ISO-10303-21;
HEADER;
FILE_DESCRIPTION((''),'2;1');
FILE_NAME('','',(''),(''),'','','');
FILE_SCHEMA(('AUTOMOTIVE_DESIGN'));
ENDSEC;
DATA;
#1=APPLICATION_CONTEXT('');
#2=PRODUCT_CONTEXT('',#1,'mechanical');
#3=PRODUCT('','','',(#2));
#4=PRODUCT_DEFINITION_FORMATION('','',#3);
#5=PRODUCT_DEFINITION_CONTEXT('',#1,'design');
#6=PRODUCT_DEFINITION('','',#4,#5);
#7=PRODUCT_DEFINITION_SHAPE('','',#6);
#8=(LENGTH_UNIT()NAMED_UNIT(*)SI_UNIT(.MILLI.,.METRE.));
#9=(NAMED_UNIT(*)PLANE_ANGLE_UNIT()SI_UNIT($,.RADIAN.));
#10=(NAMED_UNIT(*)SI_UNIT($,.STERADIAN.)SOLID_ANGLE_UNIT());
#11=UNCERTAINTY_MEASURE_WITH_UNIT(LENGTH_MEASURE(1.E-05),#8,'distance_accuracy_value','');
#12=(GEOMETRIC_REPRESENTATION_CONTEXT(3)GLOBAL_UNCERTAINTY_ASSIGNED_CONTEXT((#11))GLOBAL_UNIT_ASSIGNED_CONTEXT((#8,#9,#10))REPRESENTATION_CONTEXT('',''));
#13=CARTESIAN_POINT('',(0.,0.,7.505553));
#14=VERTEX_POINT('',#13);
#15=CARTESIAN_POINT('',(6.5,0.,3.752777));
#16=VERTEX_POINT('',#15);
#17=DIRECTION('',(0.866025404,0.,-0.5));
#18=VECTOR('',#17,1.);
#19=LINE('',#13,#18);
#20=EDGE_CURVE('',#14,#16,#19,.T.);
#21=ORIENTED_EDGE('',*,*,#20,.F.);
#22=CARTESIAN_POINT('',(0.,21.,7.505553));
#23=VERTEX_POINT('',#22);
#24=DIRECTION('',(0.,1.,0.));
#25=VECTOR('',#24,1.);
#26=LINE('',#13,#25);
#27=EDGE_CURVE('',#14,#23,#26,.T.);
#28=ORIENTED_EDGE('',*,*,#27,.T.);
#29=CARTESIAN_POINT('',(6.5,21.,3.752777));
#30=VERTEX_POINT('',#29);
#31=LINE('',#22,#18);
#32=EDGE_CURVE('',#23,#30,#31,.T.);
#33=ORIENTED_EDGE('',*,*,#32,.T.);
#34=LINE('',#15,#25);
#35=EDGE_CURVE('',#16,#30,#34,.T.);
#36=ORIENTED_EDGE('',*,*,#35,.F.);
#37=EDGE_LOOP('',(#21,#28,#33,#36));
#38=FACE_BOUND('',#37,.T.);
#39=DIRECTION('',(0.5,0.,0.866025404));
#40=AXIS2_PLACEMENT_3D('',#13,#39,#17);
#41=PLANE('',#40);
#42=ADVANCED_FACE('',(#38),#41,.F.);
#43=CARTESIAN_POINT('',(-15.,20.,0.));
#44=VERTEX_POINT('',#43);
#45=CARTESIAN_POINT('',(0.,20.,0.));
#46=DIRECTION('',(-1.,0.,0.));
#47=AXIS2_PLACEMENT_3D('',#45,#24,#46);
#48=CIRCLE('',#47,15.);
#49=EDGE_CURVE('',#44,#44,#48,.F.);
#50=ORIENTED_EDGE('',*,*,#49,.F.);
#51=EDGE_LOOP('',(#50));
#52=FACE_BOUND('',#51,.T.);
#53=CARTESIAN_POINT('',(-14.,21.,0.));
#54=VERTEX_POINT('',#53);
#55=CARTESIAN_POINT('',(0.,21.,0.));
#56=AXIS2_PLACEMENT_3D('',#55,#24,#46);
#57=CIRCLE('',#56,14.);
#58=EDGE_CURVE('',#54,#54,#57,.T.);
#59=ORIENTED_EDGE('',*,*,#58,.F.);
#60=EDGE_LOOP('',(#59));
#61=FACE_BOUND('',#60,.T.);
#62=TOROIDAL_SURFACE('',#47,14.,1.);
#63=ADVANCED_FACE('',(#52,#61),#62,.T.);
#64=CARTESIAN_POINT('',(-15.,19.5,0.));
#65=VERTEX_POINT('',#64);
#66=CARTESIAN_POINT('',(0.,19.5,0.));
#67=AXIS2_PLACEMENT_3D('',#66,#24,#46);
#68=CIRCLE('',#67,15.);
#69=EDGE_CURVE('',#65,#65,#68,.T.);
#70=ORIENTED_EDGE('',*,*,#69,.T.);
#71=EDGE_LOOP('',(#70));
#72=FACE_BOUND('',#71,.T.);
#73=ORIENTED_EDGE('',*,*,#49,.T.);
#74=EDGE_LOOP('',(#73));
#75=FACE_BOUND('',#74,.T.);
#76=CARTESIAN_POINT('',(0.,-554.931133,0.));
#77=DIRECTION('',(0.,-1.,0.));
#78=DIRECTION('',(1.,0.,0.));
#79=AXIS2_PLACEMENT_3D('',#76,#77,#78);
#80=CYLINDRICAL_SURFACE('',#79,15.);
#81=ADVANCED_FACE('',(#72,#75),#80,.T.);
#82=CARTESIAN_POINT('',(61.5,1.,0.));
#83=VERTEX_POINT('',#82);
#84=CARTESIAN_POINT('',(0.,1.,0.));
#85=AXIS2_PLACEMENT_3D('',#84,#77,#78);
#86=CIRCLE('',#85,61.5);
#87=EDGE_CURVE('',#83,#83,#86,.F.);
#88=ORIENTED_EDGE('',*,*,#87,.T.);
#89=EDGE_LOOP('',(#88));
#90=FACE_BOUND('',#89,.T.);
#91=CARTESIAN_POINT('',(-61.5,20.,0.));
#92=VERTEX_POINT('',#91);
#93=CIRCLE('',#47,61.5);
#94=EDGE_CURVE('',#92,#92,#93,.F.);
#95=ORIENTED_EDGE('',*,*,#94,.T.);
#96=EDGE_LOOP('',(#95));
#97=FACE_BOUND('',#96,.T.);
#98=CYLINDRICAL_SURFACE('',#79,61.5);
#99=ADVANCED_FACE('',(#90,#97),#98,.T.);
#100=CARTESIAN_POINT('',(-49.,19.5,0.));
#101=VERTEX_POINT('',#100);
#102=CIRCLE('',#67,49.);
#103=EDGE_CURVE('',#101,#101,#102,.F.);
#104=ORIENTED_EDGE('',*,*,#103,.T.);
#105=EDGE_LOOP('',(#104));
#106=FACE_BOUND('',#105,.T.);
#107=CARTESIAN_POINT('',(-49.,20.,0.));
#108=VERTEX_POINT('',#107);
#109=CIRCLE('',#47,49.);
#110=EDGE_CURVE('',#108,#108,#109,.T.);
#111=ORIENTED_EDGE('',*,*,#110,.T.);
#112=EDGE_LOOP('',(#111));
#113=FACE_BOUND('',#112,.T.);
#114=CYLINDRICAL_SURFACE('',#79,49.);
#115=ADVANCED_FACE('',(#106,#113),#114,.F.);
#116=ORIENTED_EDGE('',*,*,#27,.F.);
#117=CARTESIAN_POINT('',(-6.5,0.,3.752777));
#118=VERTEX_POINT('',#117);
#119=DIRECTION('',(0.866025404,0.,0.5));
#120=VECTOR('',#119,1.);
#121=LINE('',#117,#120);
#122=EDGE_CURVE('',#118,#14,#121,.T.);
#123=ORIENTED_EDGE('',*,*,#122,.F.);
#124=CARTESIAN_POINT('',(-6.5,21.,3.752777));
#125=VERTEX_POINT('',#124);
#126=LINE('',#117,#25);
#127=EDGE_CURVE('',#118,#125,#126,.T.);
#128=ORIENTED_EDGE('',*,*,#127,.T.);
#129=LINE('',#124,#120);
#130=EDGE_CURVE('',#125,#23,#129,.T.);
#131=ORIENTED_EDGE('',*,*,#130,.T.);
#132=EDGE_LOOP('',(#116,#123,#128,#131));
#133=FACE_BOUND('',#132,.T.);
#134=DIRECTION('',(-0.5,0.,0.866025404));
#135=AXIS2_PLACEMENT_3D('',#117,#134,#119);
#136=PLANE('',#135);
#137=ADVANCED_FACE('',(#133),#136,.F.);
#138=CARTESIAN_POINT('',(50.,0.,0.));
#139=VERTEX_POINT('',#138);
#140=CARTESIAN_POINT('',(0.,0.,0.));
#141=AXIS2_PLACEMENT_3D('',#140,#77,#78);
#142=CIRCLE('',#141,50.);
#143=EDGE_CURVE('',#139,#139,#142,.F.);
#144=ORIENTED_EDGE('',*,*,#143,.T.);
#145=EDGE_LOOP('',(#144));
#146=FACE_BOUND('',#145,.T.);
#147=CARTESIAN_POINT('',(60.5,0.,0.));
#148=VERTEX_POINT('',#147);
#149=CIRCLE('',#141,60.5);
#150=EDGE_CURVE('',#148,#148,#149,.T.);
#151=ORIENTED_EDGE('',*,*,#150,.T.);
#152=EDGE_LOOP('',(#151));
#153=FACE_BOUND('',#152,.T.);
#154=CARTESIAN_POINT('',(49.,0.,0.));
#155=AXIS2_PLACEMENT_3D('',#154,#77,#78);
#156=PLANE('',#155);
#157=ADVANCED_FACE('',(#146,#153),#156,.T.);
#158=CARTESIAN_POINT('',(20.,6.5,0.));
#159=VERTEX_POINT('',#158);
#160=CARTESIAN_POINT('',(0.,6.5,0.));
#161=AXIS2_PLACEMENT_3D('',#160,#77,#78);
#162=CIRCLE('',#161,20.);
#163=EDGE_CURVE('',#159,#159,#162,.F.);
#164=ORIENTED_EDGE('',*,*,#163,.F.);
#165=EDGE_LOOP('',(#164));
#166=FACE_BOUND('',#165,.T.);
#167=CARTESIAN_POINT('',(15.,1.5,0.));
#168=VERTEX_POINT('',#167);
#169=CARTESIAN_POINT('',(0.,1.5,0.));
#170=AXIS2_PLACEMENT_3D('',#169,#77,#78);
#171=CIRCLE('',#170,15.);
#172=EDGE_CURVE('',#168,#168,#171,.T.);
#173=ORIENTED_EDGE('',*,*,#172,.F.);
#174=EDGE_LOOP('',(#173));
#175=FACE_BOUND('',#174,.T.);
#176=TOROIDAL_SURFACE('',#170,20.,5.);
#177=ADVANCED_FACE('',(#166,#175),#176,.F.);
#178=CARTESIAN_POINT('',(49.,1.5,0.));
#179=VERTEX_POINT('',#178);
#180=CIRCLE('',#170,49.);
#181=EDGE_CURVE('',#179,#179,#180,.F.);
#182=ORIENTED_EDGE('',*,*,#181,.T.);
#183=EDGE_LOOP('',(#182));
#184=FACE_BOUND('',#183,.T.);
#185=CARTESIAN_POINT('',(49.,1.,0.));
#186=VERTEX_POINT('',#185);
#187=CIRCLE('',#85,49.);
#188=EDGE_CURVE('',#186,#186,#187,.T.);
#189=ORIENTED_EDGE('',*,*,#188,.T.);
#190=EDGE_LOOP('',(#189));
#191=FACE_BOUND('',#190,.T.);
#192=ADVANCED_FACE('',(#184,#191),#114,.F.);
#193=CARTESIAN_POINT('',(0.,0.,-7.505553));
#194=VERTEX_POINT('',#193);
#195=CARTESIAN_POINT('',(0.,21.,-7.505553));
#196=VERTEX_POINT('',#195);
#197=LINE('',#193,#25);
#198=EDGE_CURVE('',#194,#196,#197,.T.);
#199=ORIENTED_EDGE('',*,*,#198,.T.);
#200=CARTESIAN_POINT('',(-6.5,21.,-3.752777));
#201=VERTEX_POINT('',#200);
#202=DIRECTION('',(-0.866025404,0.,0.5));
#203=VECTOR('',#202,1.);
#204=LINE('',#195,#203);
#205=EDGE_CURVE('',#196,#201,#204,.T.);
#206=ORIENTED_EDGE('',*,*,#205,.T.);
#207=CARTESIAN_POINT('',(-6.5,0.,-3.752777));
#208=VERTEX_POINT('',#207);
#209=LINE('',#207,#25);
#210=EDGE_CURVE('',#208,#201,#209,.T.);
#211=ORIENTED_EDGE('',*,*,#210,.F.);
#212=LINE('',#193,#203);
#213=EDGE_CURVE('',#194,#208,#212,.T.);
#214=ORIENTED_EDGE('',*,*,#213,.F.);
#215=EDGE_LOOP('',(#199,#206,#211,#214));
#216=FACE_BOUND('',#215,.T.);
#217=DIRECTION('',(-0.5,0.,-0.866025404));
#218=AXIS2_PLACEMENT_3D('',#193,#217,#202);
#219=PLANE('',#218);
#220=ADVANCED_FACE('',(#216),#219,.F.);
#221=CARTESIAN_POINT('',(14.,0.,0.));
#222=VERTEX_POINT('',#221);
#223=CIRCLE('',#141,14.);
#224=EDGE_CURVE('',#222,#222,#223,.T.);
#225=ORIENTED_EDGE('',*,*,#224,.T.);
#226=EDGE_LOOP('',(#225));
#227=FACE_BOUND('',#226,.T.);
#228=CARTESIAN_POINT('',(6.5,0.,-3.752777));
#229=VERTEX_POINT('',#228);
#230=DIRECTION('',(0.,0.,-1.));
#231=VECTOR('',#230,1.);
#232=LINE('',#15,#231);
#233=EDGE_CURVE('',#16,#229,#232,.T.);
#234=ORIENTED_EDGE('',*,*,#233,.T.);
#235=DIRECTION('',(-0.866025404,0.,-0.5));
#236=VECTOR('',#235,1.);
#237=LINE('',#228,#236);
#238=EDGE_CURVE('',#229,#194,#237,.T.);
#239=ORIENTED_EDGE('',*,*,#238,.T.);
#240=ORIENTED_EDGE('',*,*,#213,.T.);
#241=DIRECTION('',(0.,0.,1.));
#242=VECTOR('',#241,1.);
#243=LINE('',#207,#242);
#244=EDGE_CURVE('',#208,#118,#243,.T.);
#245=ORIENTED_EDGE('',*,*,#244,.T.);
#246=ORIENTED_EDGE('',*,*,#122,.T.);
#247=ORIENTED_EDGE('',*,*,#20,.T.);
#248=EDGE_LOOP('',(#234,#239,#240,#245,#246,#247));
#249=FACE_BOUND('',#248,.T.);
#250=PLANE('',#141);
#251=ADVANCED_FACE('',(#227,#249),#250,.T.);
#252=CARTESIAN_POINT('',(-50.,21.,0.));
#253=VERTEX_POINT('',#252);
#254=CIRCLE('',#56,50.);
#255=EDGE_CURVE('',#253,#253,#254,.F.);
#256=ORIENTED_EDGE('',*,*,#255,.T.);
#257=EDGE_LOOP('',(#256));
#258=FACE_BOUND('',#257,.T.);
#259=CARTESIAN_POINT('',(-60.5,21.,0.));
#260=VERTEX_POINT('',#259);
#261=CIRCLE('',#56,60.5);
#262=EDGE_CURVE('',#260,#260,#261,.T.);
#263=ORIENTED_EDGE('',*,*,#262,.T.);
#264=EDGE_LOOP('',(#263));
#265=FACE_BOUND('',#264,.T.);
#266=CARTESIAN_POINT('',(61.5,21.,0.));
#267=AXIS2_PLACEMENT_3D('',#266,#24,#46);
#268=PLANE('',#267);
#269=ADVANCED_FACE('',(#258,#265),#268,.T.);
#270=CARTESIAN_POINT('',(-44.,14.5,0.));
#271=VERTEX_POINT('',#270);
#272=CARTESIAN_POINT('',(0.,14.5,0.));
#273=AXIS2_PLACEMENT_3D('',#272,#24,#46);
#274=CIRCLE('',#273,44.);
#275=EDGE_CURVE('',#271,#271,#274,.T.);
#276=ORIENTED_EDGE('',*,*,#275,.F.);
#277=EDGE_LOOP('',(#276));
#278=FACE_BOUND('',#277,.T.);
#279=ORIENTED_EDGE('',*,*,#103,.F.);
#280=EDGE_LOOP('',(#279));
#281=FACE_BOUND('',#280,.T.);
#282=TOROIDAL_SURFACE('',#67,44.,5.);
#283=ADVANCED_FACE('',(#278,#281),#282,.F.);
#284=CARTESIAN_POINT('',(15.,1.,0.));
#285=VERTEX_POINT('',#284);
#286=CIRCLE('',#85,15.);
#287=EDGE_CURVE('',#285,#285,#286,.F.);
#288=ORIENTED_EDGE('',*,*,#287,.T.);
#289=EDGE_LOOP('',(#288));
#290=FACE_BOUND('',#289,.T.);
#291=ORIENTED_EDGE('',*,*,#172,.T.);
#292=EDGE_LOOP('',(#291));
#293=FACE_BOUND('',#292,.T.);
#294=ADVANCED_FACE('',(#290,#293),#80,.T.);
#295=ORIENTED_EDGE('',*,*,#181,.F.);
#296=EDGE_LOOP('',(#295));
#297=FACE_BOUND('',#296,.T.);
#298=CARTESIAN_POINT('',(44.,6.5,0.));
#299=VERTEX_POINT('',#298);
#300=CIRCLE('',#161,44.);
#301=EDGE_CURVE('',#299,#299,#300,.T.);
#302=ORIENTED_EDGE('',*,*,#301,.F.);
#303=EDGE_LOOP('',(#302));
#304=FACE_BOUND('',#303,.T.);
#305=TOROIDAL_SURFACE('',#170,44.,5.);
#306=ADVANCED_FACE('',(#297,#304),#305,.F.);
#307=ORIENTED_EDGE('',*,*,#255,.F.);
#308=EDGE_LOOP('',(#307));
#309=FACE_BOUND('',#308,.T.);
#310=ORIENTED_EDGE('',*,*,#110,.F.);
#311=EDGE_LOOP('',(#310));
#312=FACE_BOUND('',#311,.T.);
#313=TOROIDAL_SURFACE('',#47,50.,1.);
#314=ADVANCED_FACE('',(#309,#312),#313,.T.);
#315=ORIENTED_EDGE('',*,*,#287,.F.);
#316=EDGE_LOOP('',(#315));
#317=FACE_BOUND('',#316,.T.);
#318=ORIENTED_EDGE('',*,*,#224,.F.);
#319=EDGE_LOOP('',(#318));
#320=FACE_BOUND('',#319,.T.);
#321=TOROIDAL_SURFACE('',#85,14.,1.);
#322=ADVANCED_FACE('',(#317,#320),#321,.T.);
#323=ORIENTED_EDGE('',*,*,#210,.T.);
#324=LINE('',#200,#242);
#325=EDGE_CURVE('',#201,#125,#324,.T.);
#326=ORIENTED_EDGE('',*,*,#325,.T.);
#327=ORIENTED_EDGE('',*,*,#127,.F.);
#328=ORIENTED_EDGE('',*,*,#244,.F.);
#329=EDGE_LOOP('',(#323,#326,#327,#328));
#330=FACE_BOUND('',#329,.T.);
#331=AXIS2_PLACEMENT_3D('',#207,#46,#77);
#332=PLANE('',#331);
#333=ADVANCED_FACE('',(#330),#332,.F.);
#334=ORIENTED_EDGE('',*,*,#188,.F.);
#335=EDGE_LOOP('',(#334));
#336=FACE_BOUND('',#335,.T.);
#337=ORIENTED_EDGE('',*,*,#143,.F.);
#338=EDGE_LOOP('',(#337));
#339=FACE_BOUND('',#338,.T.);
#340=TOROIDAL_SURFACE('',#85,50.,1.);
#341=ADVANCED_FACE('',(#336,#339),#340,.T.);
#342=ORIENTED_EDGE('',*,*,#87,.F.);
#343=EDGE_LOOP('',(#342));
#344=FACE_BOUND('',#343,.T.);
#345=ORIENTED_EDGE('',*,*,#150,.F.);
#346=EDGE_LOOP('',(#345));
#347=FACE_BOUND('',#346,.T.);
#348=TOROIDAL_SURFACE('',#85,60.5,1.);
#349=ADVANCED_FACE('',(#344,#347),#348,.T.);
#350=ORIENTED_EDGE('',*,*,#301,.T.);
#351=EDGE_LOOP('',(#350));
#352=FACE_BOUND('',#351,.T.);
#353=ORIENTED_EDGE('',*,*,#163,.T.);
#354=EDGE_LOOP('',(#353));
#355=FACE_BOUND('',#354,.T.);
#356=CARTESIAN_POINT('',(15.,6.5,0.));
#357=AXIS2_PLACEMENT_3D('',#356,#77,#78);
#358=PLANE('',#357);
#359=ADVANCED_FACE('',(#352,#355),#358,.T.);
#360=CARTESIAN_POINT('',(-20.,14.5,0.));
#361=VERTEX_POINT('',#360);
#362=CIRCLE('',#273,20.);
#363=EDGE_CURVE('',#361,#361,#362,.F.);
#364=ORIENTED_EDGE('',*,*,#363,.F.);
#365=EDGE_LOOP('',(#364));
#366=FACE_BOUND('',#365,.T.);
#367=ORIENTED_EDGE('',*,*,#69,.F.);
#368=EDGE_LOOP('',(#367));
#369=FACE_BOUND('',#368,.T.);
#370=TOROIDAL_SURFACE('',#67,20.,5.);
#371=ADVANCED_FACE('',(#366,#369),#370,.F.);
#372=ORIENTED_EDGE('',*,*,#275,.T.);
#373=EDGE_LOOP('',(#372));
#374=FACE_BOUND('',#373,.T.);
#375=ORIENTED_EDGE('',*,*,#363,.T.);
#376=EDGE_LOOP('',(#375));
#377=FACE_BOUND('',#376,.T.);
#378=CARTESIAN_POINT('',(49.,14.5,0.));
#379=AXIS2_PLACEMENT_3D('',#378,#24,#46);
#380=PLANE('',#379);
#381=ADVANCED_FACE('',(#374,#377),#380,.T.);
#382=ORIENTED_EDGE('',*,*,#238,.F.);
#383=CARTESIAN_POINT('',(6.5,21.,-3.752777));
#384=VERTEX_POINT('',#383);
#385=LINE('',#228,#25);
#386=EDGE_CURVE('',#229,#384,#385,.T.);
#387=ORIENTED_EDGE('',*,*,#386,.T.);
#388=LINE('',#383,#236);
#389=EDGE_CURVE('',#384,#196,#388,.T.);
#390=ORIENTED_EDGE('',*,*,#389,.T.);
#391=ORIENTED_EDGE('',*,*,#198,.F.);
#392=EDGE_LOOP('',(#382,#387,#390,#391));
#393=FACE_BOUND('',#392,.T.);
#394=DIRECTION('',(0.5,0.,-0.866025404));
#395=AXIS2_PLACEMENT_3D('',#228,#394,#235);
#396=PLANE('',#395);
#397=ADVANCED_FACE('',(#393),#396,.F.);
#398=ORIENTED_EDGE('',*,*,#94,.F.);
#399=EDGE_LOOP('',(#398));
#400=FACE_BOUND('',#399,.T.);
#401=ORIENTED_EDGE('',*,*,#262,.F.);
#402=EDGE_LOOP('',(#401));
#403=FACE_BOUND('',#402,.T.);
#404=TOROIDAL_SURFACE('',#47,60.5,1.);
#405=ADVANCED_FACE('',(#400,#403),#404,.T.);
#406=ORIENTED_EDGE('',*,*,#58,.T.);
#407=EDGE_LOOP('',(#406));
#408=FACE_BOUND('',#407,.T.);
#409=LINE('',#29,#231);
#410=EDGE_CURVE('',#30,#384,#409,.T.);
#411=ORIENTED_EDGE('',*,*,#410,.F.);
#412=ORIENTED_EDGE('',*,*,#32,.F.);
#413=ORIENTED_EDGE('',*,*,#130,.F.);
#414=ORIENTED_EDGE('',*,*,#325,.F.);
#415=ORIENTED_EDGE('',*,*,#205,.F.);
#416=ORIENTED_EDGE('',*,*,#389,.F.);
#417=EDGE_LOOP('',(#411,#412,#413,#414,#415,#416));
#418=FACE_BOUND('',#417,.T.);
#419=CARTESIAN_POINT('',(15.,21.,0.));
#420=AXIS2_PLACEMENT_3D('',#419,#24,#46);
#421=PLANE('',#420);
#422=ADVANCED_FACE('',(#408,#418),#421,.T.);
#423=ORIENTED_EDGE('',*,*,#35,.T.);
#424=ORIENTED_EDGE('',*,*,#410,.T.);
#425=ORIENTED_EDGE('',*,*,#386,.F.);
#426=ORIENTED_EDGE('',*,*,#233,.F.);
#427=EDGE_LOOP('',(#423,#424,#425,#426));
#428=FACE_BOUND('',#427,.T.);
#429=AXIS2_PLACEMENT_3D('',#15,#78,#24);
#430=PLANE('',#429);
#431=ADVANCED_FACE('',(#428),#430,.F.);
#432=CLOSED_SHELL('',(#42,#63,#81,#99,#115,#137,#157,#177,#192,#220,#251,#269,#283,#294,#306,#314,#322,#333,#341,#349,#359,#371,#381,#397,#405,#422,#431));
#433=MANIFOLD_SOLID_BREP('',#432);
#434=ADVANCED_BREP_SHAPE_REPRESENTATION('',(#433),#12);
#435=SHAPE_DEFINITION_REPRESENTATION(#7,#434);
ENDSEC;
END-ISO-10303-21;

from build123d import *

# Parameters (mm, degrees)
CUT_EXTRUDE1_DEPTH = 90.473459752
FILLET1_R          = 1
FILLET2_R          = 5


with BuildPart() as part:
    # Sketch1 → Revolve1 (revolve)
    with BuildSketch(Plane.XY):
        Polygon((0, 0), (15, 0), (15, 6.5), (49, 6.5), (49, 0), (61.5, 0), (61.5, 21), (49, 21), (49, 14.5), (15, 14.5), (15, 21), (0, 21), align=None)
    revolve(axis=Axis((0, -554.931132677, 0), (0, 1, 0)))

    # Sketch2 → Cut-Extrude1 (cut, through all)
    with BuildSketch(Plane(origin=(0, 21, 0), x_dir=(1, 0, 0), z_dir=(0, 1, 0))):
        Polygon((0, 7.505553499), (-6.5, 3.75277675), (-6.5, -3.75277675), (0, -7.505553499), (6.5, -3.75277675), (6.5, 3.75277675), align=None)
    extrude(amount=-CUT_EXTRUDE1_DEPTH, mode=Mode.SUBTRACT)

    # Fillet1
    fillet1_edges = [part.edges().sort_by_distance(p)[0] for p in [
        (-49, 21, 0),
        (-61.5, 21, 0),
        (-61.5, 0, 0),
        (-49, 0, 0),
        (-15, 0, 0),
        (-15, 21, 0),
    ]]
    fillet(fillet1_edges, radius=FILLET1_R)

    # Fillet2
    fillet2_edges = [part.edges().sort_by_distance(p)[0] for p in [
        (-15, 14.5, 0),
        (-49, 14.5, 0),
        (-49, 6.5, 0),
        (-15, 6.5, 0),
    ]]
    fillet(fillet2_edges, radius=FILLET2_R)


solid = part.part
